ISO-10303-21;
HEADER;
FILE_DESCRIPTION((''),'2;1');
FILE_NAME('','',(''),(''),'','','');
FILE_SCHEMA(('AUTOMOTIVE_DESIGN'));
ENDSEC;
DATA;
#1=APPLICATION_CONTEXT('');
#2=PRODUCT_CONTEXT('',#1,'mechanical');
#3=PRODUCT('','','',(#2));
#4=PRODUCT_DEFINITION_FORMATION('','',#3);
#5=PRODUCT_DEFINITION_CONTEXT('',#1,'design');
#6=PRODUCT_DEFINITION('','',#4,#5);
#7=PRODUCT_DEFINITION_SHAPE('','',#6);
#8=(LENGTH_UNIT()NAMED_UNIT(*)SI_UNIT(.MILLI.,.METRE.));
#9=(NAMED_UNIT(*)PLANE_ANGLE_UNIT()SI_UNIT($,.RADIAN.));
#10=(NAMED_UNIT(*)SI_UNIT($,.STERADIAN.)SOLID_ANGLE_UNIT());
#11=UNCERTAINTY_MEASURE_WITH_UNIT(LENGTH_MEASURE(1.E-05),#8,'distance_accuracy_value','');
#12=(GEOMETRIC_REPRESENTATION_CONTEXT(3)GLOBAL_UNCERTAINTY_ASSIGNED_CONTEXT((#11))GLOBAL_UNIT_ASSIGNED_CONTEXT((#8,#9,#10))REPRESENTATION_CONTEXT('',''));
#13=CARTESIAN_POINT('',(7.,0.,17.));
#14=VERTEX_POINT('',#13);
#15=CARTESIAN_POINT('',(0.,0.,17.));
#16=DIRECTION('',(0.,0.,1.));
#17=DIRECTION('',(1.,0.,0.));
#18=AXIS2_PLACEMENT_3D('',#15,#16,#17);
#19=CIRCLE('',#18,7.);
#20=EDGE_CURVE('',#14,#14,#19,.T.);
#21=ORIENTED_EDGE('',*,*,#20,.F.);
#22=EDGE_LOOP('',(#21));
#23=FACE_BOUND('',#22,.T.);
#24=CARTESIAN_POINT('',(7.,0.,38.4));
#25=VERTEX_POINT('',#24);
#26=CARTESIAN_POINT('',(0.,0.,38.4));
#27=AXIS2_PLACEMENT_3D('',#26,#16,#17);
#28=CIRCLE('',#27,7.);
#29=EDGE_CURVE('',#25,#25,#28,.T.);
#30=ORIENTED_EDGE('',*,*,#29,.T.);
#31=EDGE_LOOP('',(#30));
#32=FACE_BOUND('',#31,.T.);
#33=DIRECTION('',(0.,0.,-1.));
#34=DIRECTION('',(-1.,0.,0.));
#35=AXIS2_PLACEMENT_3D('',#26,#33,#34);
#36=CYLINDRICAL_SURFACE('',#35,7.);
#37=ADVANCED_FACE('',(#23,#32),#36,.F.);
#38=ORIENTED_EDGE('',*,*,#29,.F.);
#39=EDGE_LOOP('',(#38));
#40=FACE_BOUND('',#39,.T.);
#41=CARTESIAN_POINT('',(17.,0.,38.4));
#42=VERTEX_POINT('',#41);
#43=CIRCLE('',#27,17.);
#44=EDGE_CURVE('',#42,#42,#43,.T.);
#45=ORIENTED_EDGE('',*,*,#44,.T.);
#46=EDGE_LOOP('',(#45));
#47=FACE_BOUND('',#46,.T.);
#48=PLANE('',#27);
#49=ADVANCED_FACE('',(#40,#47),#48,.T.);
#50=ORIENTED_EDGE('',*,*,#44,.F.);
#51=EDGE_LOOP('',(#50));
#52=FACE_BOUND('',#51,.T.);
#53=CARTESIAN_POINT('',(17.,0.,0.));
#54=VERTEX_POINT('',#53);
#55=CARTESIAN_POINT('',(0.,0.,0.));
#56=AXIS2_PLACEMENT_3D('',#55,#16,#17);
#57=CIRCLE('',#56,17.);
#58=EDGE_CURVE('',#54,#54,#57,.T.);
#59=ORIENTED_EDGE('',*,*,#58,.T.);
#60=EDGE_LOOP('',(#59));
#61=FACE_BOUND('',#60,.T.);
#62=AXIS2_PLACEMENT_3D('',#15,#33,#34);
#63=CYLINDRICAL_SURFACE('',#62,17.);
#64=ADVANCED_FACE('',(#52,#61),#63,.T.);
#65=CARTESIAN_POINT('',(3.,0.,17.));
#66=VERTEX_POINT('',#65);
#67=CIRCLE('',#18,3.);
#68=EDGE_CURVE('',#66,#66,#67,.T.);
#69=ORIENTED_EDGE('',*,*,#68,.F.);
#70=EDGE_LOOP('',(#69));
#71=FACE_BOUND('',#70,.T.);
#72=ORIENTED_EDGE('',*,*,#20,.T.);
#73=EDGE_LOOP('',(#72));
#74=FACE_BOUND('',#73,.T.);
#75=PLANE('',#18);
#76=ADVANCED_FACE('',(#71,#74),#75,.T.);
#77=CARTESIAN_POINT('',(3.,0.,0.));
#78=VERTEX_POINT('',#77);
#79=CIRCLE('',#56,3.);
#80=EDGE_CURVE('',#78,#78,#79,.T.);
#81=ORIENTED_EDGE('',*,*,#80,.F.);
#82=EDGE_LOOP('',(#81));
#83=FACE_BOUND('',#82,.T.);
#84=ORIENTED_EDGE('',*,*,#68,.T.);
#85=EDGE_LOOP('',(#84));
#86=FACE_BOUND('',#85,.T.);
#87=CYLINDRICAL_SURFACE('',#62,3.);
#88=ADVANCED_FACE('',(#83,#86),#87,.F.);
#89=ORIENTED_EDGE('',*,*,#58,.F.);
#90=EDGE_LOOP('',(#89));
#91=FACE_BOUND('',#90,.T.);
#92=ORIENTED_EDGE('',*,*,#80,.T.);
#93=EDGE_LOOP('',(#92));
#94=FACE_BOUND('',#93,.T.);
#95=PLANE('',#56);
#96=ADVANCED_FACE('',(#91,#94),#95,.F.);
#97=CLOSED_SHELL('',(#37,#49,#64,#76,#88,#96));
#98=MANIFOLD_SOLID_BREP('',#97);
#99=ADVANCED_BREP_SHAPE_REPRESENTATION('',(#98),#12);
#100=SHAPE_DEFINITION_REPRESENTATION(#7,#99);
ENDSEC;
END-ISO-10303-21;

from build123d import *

# Parameters (mm, degrees)
SKETCH1_R                       = 17
SKETCH1_R_2                     = 3
D6_CLAMP_HUB_ENVELOPE_DEPTH     = 17
D14_HUB_AND_DISC_ENVELOPE_START = 17
SKETCH2_R                       = 17
SKETCH2_R_2                     = 7
D14_HUB_AND_DISC_ENVELOPE_DEPTH = 21.4


with BuildPart() as part:
    # Sketch1 → D6_Clamp_Hub_Envelope (new body)
    with BuildSketch(Plane.XY):
        Circle(SKETCH1_R)
        Circle(SKETCH1_R_2, mode=Mode.SUBTRACT)
    extrude(amount=D6_CLAMP_HUB_ENVELOPE_DEPTH)

    # Sketch2 → D14_Hub_And_Disc_Envelope (add)
    with BuildSketch(Plane.XY.offset(D14_HUB_AND_DISC_ENVELOPE_START)):
        Circle(SKETCH2_R)
        Circle(SKETCH2_R_2, mode=Mode.SUBTRACT)
    extrude(amount=D14_HUB_AND_DISC_ENVELOPE_DEPTH)


solid = part.part
